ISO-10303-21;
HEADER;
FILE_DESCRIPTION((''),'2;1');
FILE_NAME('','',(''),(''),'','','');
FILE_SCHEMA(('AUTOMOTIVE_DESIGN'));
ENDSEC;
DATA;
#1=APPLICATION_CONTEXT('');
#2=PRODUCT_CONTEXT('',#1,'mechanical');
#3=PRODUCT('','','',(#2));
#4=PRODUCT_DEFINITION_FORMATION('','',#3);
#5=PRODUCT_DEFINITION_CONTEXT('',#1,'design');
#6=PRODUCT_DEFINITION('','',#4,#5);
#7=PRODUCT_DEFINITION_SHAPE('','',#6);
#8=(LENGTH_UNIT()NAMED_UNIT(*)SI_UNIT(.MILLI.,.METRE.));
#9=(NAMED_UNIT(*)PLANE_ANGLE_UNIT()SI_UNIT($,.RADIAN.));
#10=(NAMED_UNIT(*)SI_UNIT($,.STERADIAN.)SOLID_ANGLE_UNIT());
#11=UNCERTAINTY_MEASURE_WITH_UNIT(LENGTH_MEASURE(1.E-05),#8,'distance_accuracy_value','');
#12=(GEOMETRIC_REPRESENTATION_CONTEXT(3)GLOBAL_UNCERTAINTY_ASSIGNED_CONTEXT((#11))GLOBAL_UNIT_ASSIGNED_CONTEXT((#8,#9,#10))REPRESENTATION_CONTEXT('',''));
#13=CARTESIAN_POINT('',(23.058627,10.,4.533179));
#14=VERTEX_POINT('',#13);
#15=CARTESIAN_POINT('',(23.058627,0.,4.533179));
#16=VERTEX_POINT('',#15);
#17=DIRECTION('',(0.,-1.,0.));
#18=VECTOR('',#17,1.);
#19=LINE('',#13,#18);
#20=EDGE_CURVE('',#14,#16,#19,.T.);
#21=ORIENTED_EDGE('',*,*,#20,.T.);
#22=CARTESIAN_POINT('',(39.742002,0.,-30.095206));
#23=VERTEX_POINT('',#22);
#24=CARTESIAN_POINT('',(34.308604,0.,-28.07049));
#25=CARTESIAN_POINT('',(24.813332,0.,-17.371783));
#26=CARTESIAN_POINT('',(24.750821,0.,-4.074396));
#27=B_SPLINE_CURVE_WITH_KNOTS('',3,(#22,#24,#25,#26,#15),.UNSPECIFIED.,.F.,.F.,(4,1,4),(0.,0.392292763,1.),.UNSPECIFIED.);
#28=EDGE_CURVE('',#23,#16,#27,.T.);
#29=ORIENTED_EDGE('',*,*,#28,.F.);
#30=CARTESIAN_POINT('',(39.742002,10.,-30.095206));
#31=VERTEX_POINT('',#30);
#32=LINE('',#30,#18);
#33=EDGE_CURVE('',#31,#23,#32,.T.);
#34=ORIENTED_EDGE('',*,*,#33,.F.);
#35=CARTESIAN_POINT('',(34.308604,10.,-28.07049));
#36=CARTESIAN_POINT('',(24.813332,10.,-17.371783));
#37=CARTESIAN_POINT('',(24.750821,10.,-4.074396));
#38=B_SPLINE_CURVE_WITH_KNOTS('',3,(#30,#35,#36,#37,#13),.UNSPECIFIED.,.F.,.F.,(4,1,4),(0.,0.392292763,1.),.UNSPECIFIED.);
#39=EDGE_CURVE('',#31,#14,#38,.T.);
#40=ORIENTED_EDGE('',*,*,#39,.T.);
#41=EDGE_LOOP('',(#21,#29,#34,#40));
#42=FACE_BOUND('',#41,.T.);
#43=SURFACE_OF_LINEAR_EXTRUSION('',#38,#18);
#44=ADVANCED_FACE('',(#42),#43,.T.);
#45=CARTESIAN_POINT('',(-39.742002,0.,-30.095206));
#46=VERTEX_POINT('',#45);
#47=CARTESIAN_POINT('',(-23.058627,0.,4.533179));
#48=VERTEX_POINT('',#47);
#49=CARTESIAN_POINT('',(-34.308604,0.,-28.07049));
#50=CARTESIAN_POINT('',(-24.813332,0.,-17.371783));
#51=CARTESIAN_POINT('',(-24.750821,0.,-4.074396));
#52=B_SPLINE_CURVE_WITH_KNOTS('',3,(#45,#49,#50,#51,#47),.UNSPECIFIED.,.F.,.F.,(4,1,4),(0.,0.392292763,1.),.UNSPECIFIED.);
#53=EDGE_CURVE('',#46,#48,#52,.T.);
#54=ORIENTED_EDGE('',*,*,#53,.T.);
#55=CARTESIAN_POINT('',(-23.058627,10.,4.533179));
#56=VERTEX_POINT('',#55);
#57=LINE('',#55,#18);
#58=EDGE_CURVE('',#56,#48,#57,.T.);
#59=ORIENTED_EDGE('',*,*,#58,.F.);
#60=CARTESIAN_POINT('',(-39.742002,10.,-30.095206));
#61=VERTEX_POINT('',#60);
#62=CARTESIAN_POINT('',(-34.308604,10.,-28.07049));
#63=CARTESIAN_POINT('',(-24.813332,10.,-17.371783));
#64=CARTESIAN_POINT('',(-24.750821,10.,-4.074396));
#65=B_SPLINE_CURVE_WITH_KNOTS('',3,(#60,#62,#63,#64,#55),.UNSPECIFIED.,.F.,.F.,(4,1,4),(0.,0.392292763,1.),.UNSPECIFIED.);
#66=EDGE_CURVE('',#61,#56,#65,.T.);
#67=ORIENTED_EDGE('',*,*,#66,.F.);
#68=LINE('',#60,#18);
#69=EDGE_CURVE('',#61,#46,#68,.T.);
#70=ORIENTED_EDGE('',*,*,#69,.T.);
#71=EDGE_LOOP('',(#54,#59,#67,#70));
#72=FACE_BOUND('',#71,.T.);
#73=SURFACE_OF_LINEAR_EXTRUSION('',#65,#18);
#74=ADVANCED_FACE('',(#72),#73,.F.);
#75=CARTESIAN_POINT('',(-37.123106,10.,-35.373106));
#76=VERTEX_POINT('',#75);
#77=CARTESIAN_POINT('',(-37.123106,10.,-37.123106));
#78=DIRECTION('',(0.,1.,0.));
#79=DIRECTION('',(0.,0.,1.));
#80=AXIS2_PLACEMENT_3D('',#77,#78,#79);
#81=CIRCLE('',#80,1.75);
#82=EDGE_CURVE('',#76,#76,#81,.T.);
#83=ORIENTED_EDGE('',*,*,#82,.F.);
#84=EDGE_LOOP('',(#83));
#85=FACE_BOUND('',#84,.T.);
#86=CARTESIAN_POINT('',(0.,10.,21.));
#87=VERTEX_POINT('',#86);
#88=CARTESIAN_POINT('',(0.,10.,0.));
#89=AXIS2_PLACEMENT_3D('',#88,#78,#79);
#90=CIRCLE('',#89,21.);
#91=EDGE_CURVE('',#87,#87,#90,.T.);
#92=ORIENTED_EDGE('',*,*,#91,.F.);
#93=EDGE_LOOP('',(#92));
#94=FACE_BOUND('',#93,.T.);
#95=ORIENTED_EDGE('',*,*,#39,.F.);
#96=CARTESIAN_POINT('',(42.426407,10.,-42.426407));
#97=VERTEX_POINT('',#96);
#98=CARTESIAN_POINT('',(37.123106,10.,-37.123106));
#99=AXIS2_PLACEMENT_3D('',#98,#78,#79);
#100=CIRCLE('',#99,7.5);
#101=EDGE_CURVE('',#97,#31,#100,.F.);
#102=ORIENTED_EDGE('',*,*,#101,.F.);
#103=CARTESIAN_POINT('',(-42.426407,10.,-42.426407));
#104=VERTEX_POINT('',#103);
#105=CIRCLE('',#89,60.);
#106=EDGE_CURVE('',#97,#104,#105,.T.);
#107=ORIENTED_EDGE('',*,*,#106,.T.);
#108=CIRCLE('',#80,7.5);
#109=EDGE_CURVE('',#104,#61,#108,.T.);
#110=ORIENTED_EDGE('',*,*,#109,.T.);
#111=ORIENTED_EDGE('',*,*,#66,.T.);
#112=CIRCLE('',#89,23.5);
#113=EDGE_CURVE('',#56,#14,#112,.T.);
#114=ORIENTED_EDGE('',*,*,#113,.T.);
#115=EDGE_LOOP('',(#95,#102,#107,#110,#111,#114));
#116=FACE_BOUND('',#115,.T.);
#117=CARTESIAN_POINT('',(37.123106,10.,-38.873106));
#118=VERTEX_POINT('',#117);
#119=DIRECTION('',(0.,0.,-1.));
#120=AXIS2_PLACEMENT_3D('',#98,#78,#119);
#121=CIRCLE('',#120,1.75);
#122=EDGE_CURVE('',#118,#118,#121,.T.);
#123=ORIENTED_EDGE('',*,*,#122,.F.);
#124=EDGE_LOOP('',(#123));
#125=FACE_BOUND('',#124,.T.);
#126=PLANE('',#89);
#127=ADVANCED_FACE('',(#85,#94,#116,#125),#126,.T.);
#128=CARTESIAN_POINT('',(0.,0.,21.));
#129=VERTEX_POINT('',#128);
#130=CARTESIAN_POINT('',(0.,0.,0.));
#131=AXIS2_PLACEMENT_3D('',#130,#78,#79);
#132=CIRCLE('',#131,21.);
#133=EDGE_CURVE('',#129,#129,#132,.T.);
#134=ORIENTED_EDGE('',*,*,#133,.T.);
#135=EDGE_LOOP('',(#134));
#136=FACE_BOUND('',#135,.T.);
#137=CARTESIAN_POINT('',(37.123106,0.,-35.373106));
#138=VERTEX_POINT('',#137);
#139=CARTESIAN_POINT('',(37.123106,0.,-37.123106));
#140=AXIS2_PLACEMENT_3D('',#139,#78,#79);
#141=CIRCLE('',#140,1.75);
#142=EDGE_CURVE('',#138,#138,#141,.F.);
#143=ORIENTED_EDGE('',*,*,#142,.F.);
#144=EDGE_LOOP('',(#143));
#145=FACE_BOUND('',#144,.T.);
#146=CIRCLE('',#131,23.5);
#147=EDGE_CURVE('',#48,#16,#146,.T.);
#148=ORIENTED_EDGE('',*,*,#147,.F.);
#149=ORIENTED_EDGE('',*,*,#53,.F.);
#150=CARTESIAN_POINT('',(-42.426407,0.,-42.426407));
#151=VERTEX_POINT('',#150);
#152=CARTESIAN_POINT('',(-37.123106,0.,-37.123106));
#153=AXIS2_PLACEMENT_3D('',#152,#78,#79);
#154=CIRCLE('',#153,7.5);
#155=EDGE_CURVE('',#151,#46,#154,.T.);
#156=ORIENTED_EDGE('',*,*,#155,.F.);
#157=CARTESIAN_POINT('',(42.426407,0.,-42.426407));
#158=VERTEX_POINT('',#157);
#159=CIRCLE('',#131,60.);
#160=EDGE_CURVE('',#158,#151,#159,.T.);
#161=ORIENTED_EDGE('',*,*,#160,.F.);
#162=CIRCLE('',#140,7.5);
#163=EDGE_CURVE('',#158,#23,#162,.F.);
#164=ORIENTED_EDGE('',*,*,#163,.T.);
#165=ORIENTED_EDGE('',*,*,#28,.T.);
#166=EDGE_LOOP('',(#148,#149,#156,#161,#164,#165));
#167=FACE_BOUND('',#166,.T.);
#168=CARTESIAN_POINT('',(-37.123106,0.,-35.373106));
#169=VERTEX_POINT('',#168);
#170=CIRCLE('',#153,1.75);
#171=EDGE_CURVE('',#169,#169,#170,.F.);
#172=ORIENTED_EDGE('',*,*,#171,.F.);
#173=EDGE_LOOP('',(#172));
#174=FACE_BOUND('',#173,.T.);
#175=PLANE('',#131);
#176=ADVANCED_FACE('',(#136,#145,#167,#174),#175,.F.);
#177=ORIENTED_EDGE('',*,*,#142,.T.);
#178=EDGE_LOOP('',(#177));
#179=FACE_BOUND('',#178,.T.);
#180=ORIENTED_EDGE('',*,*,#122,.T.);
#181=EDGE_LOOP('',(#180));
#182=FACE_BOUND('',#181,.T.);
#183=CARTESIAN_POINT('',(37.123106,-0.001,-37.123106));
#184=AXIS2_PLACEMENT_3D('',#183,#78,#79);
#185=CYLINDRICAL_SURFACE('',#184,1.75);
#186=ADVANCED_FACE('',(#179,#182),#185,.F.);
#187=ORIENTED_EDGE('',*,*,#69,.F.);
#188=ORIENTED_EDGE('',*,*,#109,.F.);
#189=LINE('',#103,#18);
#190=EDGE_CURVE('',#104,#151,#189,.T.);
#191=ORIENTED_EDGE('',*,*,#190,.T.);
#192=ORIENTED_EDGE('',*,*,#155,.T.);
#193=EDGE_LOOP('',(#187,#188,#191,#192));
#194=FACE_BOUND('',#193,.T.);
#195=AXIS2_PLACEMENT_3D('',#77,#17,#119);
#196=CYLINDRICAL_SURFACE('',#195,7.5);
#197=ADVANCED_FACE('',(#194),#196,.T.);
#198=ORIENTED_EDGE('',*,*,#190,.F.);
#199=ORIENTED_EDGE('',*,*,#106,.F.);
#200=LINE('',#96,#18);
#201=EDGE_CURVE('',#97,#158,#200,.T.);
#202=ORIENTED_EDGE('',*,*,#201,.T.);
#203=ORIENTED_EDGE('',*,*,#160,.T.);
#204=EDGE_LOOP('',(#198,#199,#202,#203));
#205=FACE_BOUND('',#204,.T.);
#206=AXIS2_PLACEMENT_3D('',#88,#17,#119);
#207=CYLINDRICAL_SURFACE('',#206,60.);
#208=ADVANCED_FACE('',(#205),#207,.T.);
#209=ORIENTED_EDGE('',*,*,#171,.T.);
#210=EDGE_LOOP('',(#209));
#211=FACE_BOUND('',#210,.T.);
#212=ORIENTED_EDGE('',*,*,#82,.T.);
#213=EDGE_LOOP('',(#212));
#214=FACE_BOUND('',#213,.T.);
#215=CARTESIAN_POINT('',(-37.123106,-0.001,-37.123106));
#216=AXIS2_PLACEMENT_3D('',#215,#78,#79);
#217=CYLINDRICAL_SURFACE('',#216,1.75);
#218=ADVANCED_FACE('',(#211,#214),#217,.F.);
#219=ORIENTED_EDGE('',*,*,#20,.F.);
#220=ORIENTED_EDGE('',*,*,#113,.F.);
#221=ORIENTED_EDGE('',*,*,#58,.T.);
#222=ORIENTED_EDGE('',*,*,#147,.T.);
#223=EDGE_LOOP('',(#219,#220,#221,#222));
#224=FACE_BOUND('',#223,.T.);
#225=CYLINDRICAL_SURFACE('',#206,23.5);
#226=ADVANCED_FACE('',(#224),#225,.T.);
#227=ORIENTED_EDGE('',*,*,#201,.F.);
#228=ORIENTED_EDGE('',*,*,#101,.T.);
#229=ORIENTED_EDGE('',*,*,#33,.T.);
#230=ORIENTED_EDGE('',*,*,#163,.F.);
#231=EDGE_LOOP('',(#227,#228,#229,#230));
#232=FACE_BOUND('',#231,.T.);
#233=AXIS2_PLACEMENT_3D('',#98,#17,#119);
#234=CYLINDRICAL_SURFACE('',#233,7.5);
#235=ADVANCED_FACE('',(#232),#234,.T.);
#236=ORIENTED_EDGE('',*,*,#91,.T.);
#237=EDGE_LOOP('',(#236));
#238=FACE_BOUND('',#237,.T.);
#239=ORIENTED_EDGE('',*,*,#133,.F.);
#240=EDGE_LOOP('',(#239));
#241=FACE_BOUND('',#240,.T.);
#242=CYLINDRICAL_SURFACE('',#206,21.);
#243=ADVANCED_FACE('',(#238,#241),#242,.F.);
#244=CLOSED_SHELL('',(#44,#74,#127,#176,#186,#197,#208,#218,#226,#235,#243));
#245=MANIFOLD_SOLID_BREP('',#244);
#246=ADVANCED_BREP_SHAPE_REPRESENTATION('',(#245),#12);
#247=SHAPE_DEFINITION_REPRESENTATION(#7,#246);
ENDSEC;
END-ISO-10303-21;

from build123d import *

# Parameters (mm, degrees)
SKETCH2_R           = 21
BOSS_EXTRUDE1_DEPTH = 10
CUT_EXTRUDE1_REACH  = 77.44
SKETCH3_R           = 1.75


with BuildPart() as part:
    # Sketch2 → Boss-Extrude1 (new body)
    # profile 1 of 6: a face of its own
    with BuildSketch(Plane(origin=(0, 0, 0), x_dir=(1, 0, 0), z_dir=(0, 1, 0))):
        with BuildLine():
            ThreePointArc((-39.742001703, 30.095205518), (-35.527778851, 29.794741171), (-31.819805153, 31.819805153))
            Line((-31.819805153, 31.819805153), (-42.426406871, 42.426406871))
            ThreePointArc((-42.426406871, 42.426406871), (-44.451470854, 35.527778851), (-39.742001703, 30.095205518))
        make_face()
    # profile 2 of 6: a face of its own
    with BuildSketch(Plane(origin=(0, 0, 0), x_dir=(1, 0, 0), z_dir=(0, 1, 0))):
        with BuildLine():
            Line((-42.426406871, 42.426406871), (-31.819805153, 31.819805153))
            ThreePointArc((-31.819805153, 31.819805153), (0, 45), (31.819805153, 31.819805153))
            ThreePointArc((31.819805153, 31.819805153), (35.527778851, 29.794741171), (39.742001703, 30.095205518))
            ThreePointArc((39.742001703, 30.095205518), (44.451470854, 35.527778851), (42.426406871, 42.426406871))
            ThreePointArc((42.426406871, 42.426406871), (0, 60), (-42.426406871, 42.426406871))
        make_face()
    # profile 3 of 6: a face of its own
    with BuildSketch(Plane(origin=(0, 0, 0), x_dir=(1, 0, 0), z_dir=(0, 1, 0))):
        with BuildLine():
            ThreePointArc((31.819805153, 31.819805153), (0, 45), (-31.819805153, 31.819805153))
            ThreePointArc((-31.819805153, 31.819805153), (-33.665365801, 29.860394262), (-35.390472848, 27.794143836))
            add(Edge.make_bspline(
                [(-35.390472848, 27.794143836), (-32.245912853, 25.570807212), (-24.806129807, 15.839794796), (-24.750821328, 4.074395815), (-23.058627279, -4.533178579)],
                knots=[0.115209689, 0.115209689, 0.115209689, 0.115209689, 0.392292763, 1, 1, 1, 1], degree=3))
            ThreePointArc((-23.058627279, -4.533178579), (-2.277307506, 23.38939654), (23.5, 0))
            ThreePointArc((23.5, 0), (23.38939654, -2.277307506), (23.058627279, -4.533178579))
            add(Edge.make_bspline(
                [(35.390472848, 27.794143836), (32.245912853, 25.570807212), (24.806129807, 15.839794796), (24.750821328, 4.074395815), (23.058627279, -4.533178579)],
                knots=[0.115209689, 0.115209689, 0.115209689, 0.115209689, 0.392292763, 1, 1, 1, 1], degree=3))
            ThreePointArc((35.390472848, 27.794143836), (33.665365801, 29.860394262), (31.819805153, 31.819805153))
        make_face()
    # profile 4 of 6: a face of its own
    with BuildSketch(Plane(origin=(0, 0, 0), x_dir=(1, 0, 0), z_dir=(0, 1, 0))):
        with BuildLine():
            ThreePointArc((-35.390472848, 27.794143836), (-33.665365801, 29.860394262), (-31.819805153, 31.819805153))
            ThreePointArc((-31.819805153, 31.819805153), (-35.527778851, 29.794741171), (-39.742001703, 30.095205518))
            add(Edge.make_bspline(
                [(-39.742001703, 30.095205518), (-38.146305527, 29.500581015), (-36.697964408, 28.718595549), (-35.390472848, 27.794143836)],
                knots=[0, 0, 0, 0, 0.115209689, 0.115209689, 0.115209689, 0.115209689], degree=3))
        make_face()
    # profile 5 of 6: a face of its own
    with BuildSketch(Plane(origin=(0, 0, 0), x_dir=(1, 0, 0), z_dir=(0, 1, 0))):
        with BuildLine():
            ThreePointArc((39.742001703, 30.095205518), (35.527778851, 29.794741171), (31.819805153, 31.819805153))
            ThreePointArc((31.819805153, 31.819805153), (33.665365801, 29.860394262), (35.390472848, 27.794143836))
            add(Edge.make_bspline(
                [(39.742001703, 30.095205518), (38.146305527, 29.500581015), (36.697964408, 28.718595549), (35.390472848, 27.794143836)],
                knots=[0, 0, 0, 0, 0.115209689, 0.115209689, 0.115209689, 0.115209689], degree=3))
        make_face()
    # profile 6 of 6: a face of its own
    with BuildSketch(Plane(origin=(0, 0, 0), x_dir=(1, 0, 0), z_dir=(0, 1, 0))):
        with BuildLine():
            ThreePointArc((23.5, 0), (-2.277307506, 23.38939654), (-23.058627279, -4.533178579))
            ThreePointArc((-23.058627279, -4.533178579), (0, -23.5), (23.058627279, -4.533178579))
            ThreePointArc((23.058627279, -4.533178579), (23.38939654, -2.277307506), (23.5, 0))
        make_face()
        with Locations(Location((0, 0, 0), (0, 0, 270))):
            Circle(SKETCH2_R, mode=Mode.SUBTRACT)
    extrude(amount=BOSS_EXTRUDE1_DEPTH)

    # Sketch3 → Cut-Extrude1 (cut, up to next)
    with BuildSketch(Plane(origin=(0, 10, 0), x_dir=(1, 0, 0), z_dir=(0, 1, 0)), mode=Mode.PRIVATE) as cut_extrude1_sk1:
        with Locations(Location((-37.123106012, 37.123106012, 0), (0, 0, 270))):
            Circle(SKETCH3_R)
    cut_extrude1_tool1 = extrude(cut_extrude1_sk1.sketch, amount=-CUT_EXTRUDE1_REACH, mode=Mode.PRIVATE) & part.part
    # Sketch3 → Cut-Extrude1 (cut, up to next)
    with BuildSketch(Plane(origin=(0, 10, 0), x_dir=(1, 0, 0), z_dir=(0, 1, 0)), mode=Mode.PRIVATE) as cut_extrude1_sk2:
        with Locations(Location((37.123106012, 37.123106012, 0), (0, 0, 270))):
            Circle(SKETCH3_R)
    cut_extrude1_tool2 = extrude(cut_extrude1_sk2.sketch, amount=-CUT_EXTRUDE1_REACH, mode=Mode.PRIVATE) & part.part
    add(cut_extrude1_tool1.solids().sort_by_distance((-37.123106, 10, -37.123106))[0], mode=Mode.SUBTRACT)
    add(cut_extrude1_tool2.solids().sort_by_distance((37.123106, 10, -37.123106))[0], mode=Mode.SUBTRACT)


solid = part.part
